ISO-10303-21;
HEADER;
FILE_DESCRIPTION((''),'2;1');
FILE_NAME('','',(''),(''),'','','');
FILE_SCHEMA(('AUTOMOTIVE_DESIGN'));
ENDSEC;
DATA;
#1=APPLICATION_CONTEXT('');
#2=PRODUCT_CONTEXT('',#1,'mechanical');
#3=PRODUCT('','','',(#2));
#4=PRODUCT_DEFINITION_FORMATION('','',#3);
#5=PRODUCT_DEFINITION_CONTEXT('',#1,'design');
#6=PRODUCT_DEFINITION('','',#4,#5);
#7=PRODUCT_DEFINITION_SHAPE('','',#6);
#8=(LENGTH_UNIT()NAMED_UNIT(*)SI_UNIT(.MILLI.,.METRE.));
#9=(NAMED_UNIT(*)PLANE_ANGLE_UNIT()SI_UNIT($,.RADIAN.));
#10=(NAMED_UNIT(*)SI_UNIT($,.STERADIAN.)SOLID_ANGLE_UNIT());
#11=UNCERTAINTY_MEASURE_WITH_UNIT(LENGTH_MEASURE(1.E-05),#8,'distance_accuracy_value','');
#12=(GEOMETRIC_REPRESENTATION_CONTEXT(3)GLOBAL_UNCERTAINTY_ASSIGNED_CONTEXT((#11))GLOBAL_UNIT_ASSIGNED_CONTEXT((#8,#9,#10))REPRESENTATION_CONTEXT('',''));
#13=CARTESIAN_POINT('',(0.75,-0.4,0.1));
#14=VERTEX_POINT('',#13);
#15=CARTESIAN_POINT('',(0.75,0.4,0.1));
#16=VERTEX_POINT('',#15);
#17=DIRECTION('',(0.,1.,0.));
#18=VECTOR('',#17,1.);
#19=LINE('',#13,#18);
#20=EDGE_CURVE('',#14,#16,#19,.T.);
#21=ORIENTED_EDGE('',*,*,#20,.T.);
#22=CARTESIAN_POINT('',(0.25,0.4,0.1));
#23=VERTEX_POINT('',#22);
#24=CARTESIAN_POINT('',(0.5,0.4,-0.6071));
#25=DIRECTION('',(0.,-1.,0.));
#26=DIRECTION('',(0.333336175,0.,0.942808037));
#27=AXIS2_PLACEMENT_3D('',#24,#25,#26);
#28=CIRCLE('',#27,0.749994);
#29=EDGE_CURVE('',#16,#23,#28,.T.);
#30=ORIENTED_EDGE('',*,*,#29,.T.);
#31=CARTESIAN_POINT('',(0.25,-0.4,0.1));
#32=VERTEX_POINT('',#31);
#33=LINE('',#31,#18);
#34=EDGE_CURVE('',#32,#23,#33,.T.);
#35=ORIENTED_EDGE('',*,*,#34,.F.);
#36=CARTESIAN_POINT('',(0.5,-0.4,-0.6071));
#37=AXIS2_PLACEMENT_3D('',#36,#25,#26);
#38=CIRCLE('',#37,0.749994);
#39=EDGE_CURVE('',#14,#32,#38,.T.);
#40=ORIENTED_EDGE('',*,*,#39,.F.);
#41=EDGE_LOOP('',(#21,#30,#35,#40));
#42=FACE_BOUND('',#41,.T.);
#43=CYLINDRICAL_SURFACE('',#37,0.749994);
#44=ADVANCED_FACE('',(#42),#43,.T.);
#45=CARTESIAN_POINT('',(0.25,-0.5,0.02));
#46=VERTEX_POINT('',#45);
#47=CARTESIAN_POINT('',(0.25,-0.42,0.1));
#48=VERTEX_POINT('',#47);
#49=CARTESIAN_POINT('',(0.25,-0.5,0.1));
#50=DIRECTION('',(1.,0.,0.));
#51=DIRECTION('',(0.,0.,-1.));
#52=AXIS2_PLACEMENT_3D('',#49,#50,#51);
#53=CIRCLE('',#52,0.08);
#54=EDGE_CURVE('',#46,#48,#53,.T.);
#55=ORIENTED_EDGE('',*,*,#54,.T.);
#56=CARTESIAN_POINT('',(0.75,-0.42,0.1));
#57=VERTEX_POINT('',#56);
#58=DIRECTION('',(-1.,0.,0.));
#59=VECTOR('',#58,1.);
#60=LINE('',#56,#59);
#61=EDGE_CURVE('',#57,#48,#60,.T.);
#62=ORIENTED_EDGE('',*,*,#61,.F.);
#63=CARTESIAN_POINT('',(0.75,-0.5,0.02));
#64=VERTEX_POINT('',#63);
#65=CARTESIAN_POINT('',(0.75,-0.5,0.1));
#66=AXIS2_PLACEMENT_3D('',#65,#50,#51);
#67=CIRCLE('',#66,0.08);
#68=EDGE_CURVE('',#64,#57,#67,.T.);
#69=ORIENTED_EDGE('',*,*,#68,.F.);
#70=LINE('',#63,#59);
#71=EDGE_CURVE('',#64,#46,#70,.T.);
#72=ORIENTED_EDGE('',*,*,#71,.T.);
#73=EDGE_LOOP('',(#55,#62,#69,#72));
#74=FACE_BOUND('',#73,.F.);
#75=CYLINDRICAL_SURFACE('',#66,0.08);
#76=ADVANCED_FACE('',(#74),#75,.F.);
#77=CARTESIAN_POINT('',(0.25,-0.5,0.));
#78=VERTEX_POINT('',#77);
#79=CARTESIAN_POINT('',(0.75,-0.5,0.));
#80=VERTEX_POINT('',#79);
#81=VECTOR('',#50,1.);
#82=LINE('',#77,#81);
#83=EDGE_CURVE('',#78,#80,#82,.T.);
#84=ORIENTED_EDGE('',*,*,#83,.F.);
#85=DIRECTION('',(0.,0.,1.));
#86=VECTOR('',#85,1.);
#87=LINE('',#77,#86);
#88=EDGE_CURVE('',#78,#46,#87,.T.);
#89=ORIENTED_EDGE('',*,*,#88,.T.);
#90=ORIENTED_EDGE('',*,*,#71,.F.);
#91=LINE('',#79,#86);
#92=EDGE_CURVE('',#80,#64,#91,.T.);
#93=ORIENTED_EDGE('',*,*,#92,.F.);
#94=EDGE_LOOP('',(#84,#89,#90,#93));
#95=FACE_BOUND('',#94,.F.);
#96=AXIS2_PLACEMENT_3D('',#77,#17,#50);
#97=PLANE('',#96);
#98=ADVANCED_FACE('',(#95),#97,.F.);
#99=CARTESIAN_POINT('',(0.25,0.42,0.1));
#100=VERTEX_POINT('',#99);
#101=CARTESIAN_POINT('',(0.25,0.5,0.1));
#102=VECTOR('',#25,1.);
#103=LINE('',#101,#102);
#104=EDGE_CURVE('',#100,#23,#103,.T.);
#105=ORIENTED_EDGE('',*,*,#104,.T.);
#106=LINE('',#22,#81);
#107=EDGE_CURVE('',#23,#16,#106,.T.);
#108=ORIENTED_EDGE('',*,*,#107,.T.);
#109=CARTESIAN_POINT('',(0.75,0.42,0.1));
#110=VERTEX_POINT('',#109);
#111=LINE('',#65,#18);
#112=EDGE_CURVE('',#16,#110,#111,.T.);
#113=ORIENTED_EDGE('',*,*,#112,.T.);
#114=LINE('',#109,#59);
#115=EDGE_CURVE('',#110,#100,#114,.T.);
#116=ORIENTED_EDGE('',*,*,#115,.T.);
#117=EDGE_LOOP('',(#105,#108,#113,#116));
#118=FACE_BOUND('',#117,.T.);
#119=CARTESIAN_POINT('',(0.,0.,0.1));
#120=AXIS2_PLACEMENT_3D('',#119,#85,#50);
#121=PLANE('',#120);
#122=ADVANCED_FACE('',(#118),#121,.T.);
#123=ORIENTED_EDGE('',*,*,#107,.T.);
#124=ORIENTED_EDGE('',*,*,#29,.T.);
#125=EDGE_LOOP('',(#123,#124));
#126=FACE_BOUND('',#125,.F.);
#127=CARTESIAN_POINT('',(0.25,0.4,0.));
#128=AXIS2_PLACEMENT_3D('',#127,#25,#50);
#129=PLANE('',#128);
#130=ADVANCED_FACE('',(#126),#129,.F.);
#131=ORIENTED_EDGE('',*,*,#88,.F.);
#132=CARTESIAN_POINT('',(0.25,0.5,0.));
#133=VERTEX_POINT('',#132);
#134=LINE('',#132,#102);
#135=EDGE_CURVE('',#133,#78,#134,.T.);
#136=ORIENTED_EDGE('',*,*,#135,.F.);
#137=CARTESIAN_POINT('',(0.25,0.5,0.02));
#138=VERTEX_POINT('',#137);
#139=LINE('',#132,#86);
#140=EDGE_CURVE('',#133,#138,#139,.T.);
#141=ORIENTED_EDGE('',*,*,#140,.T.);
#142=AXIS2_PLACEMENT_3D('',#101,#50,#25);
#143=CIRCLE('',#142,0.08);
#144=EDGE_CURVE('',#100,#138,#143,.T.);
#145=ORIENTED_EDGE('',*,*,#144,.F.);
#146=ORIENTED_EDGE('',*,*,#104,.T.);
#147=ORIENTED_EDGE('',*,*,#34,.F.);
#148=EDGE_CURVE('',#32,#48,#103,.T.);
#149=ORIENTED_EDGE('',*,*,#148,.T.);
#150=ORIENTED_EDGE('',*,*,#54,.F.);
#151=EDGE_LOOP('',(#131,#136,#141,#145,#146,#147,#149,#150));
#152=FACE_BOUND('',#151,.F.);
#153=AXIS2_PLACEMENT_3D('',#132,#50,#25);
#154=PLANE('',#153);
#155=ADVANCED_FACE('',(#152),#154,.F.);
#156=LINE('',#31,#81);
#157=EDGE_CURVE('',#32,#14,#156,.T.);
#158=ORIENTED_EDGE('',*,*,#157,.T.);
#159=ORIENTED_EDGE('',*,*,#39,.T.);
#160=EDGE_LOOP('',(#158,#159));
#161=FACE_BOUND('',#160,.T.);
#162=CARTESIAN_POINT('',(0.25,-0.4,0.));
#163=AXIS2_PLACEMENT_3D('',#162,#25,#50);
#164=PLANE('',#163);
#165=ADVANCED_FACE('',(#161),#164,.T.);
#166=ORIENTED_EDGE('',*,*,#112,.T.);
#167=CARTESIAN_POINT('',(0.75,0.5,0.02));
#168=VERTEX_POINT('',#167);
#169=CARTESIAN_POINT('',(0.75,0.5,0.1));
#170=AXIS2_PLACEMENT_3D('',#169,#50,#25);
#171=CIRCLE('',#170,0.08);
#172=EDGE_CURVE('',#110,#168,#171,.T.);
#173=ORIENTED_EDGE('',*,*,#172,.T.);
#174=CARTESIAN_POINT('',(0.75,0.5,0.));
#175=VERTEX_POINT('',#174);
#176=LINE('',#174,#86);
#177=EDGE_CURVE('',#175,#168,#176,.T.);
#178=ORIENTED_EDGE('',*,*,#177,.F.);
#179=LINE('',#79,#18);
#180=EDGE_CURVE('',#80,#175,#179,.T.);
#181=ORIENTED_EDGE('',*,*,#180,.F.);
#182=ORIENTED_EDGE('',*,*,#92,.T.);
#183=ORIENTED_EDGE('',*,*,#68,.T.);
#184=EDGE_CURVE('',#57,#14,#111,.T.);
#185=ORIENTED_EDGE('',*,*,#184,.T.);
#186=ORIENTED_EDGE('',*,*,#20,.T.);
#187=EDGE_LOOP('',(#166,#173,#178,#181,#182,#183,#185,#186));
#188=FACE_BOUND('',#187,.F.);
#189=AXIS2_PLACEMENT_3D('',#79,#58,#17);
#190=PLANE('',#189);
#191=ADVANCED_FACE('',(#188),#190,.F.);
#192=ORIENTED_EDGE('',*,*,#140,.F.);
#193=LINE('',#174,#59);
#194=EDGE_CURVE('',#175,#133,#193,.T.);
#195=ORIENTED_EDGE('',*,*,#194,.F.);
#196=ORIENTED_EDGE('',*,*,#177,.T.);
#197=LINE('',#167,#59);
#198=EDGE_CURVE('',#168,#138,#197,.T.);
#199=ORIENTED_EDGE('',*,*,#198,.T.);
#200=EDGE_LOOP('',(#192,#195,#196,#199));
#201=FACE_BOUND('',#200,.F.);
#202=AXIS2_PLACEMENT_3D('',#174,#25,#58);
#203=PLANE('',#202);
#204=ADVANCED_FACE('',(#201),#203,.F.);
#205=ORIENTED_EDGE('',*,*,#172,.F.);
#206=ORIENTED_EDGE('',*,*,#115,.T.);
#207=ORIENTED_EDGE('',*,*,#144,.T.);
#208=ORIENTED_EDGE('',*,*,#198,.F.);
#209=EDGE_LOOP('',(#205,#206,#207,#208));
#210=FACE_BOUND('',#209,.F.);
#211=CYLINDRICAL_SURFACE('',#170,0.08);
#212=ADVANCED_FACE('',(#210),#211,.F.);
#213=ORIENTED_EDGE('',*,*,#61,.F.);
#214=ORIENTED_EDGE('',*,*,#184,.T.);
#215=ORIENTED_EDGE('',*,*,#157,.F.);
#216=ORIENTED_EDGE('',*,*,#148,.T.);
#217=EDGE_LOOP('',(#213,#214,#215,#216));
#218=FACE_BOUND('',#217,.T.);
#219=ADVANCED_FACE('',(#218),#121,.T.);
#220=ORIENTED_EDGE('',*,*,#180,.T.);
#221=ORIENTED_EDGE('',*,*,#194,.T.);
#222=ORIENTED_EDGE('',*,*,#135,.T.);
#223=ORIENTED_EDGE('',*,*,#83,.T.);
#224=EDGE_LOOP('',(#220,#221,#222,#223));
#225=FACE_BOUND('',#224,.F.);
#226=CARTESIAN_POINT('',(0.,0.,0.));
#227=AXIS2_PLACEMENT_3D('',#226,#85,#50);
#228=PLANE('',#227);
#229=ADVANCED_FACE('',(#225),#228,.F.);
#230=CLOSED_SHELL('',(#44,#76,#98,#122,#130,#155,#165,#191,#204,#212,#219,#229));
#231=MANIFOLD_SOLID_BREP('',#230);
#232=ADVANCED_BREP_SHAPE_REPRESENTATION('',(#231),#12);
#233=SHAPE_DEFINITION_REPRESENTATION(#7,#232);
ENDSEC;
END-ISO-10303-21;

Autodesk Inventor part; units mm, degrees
ref_plane "YZ Plane" through (0, 0, 0) normal (1, 0, 0) x (0, 1, 0)
sketch "스케치1" plane through (0, 0, 0) normal (0, 0, 1) x (1, 0, 0)
  line L0 (-0.15, 0) -> (0.9, 0) construction
  line L1 (0, -0.7) -> (0, 0.7) construction
  line L2 (0.25, -0.5) -> (0.75, -0.5)
  line L3 (0.75, -0.5) -> (0.75, 0.5)
  line L4 (0.75, 0.5) -> (0.25, 0.5)
  line L5 (0.25, 0.5) -> (0.25, -0.5)
  point P0 (0, 0)
  point P1 (0.5, -0.5)
  dimension "d7" = 0.5
  dimension "d8" = 1
  dimension "d9" = 0.25
extrude "돌출1" add sketch "스케치1" along normal blind 0.1
sketch "스케치3" plane through (0.25, 0.5, 0) normal (0, 1, 0) x (1, 0, 0)
  line L0 (-0.25, 0.7571) -> (-0.25, -0.2929) construction
  line L1 (-0.4, 0) -> (0.65, 0) construction
  line L2 (0.5, 0) -> (0, 0) projected
  line L3 (0, 0) -> (0, -0.1) projected
  line L4 (0.5, -0.1) -> (0, -0.1) projected
  line L5 (0.5, 0) -> (0.5, -0.1) projected
  arc A0 (0, -0.1) -> (0.5, -0.1) centre (0.25, 0.6071) ccw
  line L6 (0.25, -0.1) -> (0.25, 0.4799) construction
  point P0 (-0.25, 0)
  dimension "d10" = 0.75
sketch "스케치5" plane through (0, 0, 0.1) normal (0, 0, 1) x (1, 0, 0)
  line L0 (0.75, -0.5) -> (0.75, 0.5) projected
  line L1 (0.75, 0.5) -> (0.25, 0.5) projected
  line L2 (0.25, 0.5) -> (0.25, -0.5) projected
  line L3 (0.25, -0.5) -> (0.75, -0.5) projected
  line L4 (-0.15, 0) -> (0.9, 0) construction
  line L5 (0, -0.7) -> (0, 0.7) construction
  line L6 (-0.15, 0) -> (0.9, 0) construction
  line L7 (0, 0.7) -> (0, -0.7) construction
  line L8 (0.75, 0.4) -> (0.25, 0.4)
  line L9 (0.75, -0.4) -> (0.25, -0.4)
  point P0 (0, 0)
  dimension "d18" = 1
  dimension "d19" = 0.4
sketch "스케치6" plane through (0.75, -0.5, 0) normal (1, 0, 0) x (0, 0, -1)
  line L0 (0, 0) -> (0, 1) projected
  line L1 (0, 1) -> (-0.1, 1) projected
  line L2 (-0.1, 0) -> (-0.1, 1) projected
  line L3 (0, 0) -> (-0.1, 0) projected
  line L4 (0, 0.5) -> (-0.1, 0.5) construction
  line L5 (0, 0.92) -> (-0.1, 0.92)
  arc A0 (-0.1, 0.92) -> (-0.02, 1) centre (-0.1, 1) ccw
  arc A1 (-0.02, 0) -> (-0.1, 0.08) centre (-0.1, 0) ccw
  point P0 (-0.05, 0.5)
  point P1 (-0.05, 0.92)
  point P2 (-0.02, 0)
  point P3 (-0.1, 0.08)
  dimension "d20" = 0.42
extrude "돌출5" cut sketch "스케치6" against normal up to surface (0.5 mm away) contours L3 L2 A1 | L2 L1 A0
ref_plane "작업 평면1" through (0.25, -0.4, 0) normal (0, -1, 0) x (1, 0, 0)
sketch "스케치7" plane through (0.25, -0.4, 0) normal (0, -1, 0) x (1, 0, 0)
  arc A0 (0.5, 0.1) -> (0, 0.1) centre (0.25, -0.6071) ccw projected
  line L0 (0, 0.1) -> (0.5, 0.1) projected
  point P0 (-0.25, 0)
ref_plane "작업 평면2" through (0.25, 0.4, 0) normal (0, 1, 0) x (1, 0, 0)
extrude "돌출6" add sketch "스케치7" against normal up to surface (0.8 mm away)
properties part number "flat_surface_1"
